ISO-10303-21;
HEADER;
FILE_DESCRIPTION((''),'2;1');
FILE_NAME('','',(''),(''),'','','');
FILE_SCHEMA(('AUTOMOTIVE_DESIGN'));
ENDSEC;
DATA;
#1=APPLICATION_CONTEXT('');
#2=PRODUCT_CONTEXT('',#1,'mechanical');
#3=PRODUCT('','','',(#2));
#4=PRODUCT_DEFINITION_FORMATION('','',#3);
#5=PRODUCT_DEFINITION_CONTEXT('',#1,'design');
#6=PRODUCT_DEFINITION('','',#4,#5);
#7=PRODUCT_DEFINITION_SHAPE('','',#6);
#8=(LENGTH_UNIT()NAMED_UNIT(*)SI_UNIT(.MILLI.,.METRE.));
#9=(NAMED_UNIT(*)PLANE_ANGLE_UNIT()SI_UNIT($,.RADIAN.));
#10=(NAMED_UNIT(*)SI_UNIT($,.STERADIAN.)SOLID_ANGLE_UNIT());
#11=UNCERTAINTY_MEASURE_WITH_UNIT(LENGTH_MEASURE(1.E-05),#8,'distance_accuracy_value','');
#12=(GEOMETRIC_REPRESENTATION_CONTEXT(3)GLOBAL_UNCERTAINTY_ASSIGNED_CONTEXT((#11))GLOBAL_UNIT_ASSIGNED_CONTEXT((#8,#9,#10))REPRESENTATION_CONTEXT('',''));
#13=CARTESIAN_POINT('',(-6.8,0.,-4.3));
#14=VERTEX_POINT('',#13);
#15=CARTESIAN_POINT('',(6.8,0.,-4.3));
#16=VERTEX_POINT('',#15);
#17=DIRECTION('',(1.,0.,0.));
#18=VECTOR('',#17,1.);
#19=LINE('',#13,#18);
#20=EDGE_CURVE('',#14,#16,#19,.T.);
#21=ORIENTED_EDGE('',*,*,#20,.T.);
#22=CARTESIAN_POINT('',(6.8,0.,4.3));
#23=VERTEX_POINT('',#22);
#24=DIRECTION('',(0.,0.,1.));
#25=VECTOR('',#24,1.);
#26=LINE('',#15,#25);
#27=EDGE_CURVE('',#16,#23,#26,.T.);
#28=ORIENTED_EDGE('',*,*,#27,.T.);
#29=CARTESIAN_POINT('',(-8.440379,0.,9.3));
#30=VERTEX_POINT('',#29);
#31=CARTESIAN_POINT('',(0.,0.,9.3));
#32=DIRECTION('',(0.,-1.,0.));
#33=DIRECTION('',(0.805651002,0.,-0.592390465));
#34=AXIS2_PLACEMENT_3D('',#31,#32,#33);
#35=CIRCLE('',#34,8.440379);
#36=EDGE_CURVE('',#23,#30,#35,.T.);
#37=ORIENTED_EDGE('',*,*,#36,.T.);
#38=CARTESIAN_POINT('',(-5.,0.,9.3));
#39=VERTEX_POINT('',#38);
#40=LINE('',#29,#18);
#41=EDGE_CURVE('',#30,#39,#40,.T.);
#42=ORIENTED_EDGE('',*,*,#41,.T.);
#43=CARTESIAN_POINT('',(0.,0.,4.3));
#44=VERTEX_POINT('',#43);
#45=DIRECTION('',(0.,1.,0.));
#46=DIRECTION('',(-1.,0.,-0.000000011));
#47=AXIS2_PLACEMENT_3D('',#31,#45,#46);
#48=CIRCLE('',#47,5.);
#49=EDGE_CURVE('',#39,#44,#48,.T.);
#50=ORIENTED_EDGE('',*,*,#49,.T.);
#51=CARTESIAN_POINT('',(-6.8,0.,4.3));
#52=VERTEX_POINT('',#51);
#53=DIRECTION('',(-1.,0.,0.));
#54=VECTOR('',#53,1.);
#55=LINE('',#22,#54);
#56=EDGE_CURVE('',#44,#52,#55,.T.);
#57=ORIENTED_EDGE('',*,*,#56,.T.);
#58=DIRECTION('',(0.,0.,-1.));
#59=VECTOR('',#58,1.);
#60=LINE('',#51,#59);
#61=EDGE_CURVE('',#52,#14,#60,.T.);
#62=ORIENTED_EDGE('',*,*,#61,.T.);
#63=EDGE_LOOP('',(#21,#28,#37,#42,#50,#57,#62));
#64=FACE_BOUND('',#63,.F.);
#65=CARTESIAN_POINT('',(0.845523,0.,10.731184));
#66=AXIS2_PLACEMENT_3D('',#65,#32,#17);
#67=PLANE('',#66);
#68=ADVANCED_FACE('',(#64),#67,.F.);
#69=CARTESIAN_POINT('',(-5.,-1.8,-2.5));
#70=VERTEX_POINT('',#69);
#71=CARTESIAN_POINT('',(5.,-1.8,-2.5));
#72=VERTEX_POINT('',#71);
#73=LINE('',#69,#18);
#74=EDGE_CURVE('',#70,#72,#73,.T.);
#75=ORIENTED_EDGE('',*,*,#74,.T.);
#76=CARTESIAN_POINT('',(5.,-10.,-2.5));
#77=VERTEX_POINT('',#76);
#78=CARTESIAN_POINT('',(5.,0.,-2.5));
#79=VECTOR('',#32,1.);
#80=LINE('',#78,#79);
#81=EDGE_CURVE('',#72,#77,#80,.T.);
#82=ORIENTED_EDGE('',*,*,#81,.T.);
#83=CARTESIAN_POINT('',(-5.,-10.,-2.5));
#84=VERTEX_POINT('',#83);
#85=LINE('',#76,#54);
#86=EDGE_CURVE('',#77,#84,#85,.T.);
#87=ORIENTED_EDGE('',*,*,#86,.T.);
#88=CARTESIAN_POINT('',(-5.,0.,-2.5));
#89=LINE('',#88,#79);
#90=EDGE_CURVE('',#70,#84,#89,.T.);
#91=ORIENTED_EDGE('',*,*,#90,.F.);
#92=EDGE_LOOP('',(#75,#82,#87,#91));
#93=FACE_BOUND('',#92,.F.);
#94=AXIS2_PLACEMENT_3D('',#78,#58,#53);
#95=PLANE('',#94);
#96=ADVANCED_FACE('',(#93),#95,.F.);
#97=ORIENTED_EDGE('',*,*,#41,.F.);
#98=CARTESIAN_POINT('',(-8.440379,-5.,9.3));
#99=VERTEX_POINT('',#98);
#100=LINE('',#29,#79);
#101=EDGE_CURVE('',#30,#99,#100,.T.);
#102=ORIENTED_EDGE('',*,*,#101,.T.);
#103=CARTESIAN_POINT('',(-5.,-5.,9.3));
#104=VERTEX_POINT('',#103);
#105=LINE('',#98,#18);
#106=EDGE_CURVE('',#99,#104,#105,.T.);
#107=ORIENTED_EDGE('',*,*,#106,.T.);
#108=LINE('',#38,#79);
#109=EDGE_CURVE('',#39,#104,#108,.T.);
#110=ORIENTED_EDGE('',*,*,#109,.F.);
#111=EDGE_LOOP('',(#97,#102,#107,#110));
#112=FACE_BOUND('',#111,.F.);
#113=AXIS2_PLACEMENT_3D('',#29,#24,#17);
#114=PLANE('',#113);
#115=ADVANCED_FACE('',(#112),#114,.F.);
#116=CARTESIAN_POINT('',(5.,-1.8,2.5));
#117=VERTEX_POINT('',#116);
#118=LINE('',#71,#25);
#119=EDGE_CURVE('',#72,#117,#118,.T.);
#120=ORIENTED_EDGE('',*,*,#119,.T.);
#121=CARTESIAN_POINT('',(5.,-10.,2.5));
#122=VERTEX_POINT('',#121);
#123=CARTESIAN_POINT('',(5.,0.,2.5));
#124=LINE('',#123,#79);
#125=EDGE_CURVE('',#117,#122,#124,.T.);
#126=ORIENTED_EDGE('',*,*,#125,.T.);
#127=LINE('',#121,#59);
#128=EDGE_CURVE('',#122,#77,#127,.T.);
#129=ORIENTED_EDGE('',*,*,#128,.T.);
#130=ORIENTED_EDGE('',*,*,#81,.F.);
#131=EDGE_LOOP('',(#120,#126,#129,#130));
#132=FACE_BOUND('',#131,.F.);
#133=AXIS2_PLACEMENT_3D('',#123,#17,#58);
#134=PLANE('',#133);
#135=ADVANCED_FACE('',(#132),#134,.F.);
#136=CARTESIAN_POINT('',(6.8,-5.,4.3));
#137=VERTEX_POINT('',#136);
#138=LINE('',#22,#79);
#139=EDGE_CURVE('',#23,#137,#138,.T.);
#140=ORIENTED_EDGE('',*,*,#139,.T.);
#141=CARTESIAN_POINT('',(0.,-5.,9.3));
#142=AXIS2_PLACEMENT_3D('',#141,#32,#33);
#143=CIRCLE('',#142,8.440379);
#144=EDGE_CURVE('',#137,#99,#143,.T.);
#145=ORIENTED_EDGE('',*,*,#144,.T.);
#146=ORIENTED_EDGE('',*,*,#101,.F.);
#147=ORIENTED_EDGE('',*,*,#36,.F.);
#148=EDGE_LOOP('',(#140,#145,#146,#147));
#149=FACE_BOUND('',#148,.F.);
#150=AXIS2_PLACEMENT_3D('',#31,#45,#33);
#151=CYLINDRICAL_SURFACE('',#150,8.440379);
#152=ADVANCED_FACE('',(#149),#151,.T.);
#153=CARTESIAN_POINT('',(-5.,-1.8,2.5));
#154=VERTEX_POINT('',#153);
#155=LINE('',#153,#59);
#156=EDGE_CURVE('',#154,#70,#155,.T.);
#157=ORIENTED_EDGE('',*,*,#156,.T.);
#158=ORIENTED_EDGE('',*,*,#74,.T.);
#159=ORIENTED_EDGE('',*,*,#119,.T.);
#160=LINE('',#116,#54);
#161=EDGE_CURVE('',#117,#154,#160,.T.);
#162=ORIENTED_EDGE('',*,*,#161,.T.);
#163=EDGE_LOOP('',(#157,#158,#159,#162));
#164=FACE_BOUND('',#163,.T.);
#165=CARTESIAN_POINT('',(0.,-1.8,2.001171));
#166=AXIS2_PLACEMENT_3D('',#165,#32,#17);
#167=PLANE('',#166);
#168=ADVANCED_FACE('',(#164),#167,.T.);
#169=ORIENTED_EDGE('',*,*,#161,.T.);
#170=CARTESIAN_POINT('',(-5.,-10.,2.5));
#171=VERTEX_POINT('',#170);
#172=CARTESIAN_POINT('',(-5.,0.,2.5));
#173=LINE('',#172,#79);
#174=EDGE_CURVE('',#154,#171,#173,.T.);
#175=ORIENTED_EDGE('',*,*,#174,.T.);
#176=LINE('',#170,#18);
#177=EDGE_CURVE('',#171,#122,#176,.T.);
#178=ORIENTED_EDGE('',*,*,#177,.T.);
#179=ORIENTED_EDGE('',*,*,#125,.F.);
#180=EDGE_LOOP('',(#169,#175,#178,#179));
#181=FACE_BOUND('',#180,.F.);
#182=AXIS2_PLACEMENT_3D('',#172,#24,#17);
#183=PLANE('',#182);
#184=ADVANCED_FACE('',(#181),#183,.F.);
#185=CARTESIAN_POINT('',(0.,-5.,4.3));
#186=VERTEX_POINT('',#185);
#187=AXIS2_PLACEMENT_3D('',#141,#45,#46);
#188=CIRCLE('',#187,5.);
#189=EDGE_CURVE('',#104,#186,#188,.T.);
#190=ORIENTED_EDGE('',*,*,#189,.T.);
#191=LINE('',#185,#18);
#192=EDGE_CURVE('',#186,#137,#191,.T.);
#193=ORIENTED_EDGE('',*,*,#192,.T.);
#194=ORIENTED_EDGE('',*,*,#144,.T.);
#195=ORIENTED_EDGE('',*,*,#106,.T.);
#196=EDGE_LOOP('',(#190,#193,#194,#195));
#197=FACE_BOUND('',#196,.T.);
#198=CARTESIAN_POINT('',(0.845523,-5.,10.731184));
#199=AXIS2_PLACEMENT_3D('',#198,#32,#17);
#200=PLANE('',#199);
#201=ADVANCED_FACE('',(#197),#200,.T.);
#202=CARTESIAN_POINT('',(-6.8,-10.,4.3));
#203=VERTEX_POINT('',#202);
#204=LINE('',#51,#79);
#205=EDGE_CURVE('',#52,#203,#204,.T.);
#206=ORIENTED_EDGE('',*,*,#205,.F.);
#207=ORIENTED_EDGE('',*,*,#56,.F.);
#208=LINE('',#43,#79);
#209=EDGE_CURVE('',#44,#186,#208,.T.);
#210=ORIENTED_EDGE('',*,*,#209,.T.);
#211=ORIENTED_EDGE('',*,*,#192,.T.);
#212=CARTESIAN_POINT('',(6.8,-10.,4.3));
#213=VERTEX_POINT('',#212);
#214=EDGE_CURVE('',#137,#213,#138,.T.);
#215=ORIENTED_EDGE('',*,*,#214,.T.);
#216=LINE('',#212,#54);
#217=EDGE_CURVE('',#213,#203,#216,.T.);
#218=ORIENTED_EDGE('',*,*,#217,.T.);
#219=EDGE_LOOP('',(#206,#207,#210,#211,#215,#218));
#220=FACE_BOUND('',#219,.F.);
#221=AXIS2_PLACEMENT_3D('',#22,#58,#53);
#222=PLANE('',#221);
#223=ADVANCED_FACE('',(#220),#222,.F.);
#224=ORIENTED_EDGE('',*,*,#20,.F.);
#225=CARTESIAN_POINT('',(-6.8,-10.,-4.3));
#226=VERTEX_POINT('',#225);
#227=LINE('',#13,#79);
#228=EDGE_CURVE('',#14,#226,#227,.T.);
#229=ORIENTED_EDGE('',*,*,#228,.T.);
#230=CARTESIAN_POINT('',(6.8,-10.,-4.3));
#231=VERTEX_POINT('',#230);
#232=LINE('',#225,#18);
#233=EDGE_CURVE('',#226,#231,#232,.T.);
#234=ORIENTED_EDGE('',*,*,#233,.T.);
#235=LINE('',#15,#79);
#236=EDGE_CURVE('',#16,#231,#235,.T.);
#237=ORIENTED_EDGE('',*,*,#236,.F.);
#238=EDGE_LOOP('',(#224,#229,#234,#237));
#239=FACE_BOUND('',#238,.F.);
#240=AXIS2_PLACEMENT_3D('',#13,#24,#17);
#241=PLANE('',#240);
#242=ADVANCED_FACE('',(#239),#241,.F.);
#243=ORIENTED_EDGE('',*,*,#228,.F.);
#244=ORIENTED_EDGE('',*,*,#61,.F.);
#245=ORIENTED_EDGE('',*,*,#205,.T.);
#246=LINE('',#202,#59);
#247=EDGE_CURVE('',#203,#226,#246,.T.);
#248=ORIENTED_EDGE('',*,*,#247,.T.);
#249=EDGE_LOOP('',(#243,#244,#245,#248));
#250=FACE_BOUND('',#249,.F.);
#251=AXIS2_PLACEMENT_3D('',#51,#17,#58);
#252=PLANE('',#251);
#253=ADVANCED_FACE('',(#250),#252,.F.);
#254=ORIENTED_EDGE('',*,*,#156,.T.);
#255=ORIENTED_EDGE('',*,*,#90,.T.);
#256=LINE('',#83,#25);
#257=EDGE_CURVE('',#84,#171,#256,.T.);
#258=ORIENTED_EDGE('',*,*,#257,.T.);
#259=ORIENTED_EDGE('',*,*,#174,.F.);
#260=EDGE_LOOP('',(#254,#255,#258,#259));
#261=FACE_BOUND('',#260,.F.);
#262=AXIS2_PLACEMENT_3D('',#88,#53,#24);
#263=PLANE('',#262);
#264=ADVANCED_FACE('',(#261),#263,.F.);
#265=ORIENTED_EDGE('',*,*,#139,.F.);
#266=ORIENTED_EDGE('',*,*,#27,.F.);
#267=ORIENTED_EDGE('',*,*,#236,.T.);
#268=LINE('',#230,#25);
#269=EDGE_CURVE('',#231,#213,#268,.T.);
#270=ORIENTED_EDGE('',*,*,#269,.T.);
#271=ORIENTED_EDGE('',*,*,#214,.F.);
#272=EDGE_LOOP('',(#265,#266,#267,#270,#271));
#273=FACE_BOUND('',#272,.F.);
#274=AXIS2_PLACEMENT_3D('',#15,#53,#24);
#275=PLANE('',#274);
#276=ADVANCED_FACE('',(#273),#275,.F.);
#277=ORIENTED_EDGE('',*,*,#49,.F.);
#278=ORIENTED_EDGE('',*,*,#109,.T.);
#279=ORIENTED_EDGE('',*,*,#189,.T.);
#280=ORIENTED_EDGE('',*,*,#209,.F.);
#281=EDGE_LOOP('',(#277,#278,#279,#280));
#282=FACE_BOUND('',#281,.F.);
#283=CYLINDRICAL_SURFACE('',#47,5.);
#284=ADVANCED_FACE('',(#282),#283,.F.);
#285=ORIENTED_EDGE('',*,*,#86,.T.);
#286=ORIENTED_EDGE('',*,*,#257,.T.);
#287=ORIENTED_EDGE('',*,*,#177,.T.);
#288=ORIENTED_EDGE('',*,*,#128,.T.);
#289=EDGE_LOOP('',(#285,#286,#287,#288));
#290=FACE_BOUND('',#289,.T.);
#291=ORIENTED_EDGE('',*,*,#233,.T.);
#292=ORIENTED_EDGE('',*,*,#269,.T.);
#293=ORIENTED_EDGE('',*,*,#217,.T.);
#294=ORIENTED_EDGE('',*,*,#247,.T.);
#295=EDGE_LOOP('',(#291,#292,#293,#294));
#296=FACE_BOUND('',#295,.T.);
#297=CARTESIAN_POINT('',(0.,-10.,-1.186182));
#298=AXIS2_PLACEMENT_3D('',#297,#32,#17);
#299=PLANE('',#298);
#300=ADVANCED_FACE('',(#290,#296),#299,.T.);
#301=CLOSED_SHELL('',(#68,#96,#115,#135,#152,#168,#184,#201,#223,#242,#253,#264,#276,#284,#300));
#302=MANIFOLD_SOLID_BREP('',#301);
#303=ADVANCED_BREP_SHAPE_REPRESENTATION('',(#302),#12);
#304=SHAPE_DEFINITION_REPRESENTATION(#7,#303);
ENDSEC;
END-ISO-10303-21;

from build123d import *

# Parameters (mm, degrees)
F1_DEPTH = 10
F2_DEPTH = 1.8
F3_DEPTH = 5


with BuildPart() as f1:
    # F0 (on Front) → F1 (new body)
    with BuildSketch(Plane.XZ):
        with BuildLine():
            Line((-5, -2.5), (-5, 2.5))
            ThreePointArc((-5, 2.5), (-5.968249, 3.331751), (-6.8, 4.3))
            Line((-6.8, 4.3), (-6.8, -4.3))
            Line((-6.8, -4.3), (6.8, -4.3))
            Line((6.8, -4.3), (6.8, 4.3))
            ThreePointArc((6.8, 4.3), (5.968249, 3.331751), (5, 2.5))
            Line((5, 2.5), (5, -2.5))
            Line((5, -2.5), (-5, -2.5))
        make_face()
        with BuildLine():
            ThreePointArc((-6.8, 4.3), (-5.968249, 3.331751), (-5, 2.5))
            Line((-5, 2.5), (5, 2.5))
            ThreePointArc((5, 2.5), (5.968249, 3.331751), (6.8, 4.3))
            Line((6.8, 4.3), (0, 4.3))
            Line((0, 4.3), (-6.8, 4.3))
        make_face()
    extrude(amount=F1_DEPTH)

    # F0 (on Front) → F2 (join)
    with BuildSketch(Plane.XZ):
        with BuildLine():
            Line((5, 2.5), (-5, 2.5))
            ThreePointArc((-5, 2.5), (0, 0.859621), (5, 2.5))
        make_face()
        with BuildLine():
            ThreePointArc((5, 2.5), (0, 0.859621), (-5, 2.5))
            Line((-5, 2.5), (-5, -2.5))
            Line((-5, -2.5), (5, -2.5))
            Line((5, -2.5), (5, 2.5))
        make_face()
    extrude(amount=F2_DEPTH)

    # F0 (on Front) → F3 (join)
    with BuildSketch(Plane.XZ):
        with BuildLine():
            Line((0, 4.3), (6.8, 4.3))
            ThreePointArc((6.8, 4.3), (2.631105, 17.319806), (-8.440379, 9.3))
            Line((-8.440379, 9.3), (-5, 9.3))
            ThreePointArc((-5, 9.3), (3.535534, 12.835534), (0, 4.3))
        make_face()
    extrude(amount=F3_DEPTH)


solid = f1.part
